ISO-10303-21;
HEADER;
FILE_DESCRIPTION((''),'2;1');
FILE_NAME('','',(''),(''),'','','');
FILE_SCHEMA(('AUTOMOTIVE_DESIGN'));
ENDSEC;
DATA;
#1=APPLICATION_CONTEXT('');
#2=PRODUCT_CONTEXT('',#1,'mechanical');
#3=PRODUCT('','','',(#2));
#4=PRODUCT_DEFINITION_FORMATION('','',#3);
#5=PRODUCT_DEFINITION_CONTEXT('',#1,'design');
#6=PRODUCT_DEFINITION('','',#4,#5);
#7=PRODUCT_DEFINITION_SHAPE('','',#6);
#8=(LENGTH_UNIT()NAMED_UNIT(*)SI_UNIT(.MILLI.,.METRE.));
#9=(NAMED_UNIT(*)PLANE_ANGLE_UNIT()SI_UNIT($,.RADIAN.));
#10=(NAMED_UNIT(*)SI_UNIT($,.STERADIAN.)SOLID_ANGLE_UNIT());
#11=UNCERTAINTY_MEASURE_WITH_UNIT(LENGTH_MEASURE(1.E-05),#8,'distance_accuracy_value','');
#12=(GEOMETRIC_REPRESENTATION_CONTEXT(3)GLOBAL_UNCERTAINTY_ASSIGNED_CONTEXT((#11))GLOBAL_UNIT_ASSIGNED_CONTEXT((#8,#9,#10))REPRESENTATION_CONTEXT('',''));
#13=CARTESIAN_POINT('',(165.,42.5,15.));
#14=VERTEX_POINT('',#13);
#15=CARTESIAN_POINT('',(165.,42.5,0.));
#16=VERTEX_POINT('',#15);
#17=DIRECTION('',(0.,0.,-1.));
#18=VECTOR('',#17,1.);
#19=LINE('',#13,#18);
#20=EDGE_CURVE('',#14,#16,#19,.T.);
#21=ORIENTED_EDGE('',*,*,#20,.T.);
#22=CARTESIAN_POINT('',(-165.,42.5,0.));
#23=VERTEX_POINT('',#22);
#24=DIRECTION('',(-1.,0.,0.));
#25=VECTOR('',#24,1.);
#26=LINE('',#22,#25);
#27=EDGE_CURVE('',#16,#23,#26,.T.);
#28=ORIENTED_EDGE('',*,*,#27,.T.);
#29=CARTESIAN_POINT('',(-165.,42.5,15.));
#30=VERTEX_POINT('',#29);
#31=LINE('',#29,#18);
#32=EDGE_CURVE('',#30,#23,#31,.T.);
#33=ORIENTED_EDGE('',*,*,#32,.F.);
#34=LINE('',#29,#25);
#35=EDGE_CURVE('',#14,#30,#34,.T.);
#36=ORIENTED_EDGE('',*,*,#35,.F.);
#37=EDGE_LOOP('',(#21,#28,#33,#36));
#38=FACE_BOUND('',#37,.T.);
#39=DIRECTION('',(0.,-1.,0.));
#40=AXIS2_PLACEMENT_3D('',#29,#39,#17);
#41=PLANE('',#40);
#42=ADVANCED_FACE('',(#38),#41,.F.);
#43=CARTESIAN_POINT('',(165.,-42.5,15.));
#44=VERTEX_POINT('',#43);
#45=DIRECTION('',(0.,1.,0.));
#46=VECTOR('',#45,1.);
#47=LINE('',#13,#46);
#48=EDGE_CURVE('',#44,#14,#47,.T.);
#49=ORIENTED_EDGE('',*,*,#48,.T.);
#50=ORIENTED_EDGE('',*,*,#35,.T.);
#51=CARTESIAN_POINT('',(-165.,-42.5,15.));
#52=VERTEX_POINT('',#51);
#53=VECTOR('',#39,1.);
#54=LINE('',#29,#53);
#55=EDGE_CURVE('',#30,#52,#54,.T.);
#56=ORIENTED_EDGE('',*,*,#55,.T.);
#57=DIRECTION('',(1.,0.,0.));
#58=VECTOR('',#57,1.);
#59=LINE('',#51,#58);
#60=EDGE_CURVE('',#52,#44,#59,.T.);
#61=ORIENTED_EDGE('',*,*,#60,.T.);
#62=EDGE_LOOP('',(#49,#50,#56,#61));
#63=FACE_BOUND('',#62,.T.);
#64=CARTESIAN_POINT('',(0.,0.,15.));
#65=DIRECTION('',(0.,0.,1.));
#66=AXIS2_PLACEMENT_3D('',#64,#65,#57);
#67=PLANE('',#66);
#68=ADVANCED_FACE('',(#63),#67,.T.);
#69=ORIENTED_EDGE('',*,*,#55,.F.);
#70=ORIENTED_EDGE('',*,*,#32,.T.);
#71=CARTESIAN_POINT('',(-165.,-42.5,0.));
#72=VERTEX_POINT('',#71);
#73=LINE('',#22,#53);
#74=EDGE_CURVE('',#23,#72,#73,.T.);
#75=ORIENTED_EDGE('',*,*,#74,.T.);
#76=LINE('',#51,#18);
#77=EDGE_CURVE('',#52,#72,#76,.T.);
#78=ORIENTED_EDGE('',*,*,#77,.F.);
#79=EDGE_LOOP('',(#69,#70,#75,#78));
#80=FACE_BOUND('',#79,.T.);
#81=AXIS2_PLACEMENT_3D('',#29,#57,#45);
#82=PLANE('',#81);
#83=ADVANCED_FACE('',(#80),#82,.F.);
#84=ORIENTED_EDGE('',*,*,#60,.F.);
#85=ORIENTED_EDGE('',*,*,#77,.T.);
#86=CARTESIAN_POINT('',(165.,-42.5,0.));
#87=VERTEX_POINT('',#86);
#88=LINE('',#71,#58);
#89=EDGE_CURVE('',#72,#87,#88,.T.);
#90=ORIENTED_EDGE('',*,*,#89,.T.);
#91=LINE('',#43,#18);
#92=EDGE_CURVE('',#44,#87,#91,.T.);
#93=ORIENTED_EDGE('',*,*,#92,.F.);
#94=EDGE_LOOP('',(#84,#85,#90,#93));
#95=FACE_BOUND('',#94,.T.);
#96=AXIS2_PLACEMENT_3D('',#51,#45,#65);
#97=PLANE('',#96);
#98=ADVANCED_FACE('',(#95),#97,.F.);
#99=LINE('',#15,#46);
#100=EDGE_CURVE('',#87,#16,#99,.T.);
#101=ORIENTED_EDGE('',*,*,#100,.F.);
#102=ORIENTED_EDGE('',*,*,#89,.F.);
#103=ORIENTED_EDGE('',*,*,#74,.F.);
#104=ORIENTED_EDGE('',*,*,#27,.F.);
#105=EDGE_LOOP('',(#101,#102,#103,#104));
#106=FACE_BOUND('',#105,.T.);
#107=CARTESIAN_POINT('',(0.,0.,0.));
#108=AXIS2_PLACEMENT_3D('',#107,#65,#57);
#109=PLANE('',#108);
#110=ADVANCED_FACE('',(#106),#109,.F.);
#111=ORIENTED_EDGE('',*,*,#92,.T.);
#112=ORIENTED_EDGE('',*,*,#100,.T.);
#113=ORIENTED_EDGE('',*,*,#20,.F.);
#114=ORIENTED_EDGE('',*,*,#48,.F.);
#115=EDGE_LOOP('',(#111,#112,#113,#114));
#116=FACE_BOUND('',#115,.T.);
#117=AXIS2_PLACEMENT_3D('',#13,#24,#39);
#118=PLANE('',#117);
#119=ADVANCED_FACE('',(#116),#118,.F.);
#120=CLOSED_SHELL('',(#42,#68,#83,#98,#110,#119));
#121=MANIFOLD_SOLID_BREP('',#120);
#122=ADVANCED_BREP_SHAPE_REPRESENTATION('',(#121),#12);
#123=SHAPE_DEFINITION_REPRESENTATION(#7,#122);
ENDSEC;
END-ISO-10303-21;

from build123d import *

# Parameters (mm, degrees)
ESBO_O1_W                = 330
ESBO_O1_H                = 85
RESSALTO_EXTRUS_O1_DEPTH = 15


with BuildPart() as part:
    # Esboço1 → Ressalto-extrusão1 (new body)
    with BuildSketch(Plane.XY):
        Rectangle(ESBO_O1_W, ESBO_O1_H)
    extrude(amount=RESSALTO_EXTRUS_O1_DEPTH)


solid = part.part
